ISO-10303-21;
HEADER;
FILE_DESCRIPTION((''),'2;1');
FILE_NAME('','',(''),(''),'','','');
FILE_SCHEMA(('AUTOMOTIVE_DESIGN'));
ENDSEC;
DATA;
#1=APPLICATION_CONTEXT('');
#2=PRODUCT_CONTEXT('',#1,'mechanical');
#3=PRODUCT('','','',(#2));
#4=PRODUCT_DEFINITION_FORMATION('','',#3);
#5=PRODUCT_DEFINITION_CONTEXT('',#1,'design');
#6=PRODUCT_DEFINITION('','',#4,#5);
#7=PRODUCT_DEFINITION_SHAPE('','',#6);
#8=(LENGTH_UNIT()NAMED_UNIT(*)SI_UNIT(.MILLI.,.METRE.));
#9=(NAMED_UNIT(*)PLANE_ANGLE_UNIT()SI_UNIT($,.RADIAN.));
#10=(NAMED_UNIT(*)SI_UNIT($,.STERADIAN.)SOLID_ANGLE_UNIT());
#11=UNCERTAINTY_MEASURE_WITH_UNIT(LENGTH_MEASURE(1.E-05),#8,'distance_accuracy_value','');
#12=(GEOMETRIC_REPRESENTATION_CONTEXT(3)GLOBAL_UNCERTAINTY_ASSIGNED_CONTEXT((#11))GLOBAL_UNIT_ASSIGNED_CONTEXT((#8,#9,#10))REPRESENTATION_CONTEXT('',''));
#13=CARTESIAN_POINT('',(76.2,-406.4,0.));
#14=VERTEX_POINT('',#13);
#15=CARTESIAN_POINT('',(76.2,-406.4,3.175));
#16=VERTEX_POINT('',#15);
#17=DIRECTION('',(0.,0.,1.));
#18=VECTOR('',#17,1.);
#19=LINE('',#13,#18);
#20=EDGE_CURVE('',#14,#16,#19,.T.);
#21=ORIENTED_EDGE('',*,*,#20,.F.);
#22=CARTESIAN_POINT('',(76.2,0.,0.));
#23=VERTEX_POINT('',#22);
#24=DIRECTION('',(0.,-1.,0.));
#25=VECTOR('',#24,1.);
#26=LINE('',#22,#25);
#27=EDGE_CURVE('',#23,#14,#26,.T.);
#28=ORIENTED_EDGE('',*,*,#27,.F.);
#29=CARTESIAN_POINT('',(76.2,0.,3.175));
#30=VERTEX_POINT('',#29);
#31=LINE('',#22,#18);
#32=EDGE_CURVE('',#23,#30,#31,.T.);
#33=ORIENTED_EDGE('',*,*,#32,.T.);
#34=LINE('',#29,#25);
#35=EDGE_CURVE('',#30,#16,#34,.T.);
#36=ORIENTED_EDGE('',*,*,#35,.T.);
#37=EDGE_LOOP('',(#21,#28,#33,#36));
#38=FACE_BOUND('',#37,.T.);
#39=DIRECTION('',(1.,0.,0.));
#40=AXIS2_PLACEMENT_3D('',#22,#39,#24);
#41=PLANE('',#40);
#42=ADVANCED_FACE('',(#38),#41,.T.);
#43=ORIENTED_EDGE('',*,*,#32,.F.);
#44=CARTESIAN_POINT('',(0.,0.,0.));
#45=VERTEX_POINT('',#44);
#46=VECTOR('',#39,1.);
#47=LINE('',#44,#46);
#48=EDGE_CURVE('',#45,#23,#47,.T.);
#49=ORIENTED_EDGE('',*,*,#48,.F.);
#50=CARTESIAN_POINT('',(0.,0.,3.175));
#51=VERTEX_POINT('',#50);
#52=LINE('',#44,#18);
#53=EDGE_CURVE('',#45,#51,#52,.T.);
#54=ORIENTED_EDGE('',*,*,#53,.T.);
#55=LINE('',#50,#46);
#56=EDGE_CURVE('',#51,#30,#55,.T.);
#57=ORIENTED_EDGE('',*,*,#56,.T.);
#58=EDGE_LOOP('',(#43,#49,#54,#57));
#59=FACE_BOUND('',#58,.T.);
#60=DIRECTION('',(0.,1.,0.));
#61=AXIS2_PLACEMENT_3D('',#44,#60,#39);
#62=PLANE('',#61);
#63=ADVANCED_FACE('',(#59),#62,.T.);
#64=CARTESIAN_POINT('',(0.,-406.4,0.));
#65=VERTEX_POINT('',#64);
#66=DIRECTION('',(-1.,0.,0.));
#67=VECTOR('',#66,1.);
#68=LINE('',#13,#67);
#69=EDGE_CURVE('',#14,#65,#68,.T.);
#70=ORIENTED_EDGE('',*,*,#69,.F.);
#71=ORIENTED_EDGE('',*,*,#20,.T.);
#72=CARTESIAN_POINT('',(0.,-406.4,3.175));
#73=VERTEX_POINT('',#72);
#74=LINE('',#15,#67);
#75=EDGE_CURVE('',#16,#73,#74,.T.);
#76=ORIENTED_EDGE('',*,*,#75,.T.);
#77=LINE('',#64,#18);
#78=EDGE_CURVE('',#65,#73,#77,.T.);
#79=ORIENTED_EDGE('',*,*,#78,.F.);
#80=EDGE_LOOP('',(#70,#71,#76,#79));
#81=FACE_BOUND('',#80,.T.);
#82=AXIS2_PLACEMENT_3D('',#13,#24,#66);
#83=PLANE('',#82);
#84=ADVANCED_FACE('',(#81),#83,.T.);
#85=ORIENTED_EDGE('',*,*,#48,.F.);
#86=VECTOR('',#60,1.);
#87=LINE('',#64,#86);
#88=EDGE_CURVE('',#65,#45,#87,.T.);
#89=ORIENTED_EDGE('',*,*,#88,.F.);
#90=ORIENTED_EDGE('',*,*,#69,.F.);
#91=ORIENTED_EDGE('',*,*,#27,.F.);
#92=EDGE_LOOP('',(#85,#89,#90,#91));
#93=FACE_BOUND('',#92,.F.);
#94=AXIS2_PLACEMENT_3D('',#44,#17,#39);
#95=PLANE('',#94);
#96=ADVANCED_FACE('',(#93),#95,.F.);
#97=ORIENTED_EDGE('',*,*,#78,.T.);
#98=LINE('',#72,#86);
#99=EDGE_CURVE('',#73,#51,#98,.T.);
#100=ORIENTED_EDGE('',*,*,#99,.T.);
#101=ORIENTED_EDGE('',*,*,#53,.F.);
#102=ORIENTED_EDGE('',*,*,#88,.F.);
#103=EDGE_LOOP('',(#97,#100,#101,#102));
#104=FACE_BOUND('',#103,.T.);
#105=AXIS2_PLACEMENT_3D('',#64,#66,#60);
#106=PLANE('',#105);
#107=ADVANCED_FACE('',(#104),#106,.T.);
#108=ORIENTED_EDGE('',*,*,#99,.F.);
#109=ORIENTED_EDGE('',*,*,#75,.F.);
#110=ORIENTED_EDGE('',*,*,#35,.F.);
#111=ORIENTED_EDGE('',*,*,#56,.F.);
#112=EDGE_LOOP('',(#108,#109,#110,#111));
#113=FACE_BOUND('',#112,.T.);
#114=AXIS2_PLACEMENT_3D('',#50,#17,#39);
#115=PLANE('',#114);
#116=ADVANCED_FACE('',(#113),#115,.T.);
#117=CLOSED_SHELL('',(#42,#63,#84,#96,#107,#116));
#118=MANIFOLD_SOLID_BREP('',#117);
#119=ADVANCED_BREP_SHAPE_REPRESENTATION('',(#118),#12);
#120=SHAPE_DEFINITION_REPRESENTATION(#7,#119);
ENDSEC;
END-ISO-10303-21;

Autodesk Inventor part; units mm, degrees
ref_plane "YZ Plane" through (0, 0, 0) normal (1, 0, 0) x (0, 1, 0)
ref_plane "XZ Plane" through (0, 0, 0) normal (0, 1, 0) x (-1, 0, 0)
ref_plane "XY Plane" through (0, 0, 0) normal (0, 0, 1) x (1, 0, 0)
sketch "Sketch1" plane through (0, 0, 0) normal (0, 0, 1) x (1, 0, 0)
  line L0 (0, 0) -> (76.2, 0)
  line L1 (76.2, 0) -> (76.2, -406.4)
  line L2 (76.2, -406.4) -> (0, -406.4)
  line L3 (0, -406.4) -> (0, 0)
  dimension "d0" = 76.2
  dimension "d1" = 406.4
extrude "Extrusion1" add sketch "Sketch1" along normal blind 3.175
properties part number "ramp sides"
